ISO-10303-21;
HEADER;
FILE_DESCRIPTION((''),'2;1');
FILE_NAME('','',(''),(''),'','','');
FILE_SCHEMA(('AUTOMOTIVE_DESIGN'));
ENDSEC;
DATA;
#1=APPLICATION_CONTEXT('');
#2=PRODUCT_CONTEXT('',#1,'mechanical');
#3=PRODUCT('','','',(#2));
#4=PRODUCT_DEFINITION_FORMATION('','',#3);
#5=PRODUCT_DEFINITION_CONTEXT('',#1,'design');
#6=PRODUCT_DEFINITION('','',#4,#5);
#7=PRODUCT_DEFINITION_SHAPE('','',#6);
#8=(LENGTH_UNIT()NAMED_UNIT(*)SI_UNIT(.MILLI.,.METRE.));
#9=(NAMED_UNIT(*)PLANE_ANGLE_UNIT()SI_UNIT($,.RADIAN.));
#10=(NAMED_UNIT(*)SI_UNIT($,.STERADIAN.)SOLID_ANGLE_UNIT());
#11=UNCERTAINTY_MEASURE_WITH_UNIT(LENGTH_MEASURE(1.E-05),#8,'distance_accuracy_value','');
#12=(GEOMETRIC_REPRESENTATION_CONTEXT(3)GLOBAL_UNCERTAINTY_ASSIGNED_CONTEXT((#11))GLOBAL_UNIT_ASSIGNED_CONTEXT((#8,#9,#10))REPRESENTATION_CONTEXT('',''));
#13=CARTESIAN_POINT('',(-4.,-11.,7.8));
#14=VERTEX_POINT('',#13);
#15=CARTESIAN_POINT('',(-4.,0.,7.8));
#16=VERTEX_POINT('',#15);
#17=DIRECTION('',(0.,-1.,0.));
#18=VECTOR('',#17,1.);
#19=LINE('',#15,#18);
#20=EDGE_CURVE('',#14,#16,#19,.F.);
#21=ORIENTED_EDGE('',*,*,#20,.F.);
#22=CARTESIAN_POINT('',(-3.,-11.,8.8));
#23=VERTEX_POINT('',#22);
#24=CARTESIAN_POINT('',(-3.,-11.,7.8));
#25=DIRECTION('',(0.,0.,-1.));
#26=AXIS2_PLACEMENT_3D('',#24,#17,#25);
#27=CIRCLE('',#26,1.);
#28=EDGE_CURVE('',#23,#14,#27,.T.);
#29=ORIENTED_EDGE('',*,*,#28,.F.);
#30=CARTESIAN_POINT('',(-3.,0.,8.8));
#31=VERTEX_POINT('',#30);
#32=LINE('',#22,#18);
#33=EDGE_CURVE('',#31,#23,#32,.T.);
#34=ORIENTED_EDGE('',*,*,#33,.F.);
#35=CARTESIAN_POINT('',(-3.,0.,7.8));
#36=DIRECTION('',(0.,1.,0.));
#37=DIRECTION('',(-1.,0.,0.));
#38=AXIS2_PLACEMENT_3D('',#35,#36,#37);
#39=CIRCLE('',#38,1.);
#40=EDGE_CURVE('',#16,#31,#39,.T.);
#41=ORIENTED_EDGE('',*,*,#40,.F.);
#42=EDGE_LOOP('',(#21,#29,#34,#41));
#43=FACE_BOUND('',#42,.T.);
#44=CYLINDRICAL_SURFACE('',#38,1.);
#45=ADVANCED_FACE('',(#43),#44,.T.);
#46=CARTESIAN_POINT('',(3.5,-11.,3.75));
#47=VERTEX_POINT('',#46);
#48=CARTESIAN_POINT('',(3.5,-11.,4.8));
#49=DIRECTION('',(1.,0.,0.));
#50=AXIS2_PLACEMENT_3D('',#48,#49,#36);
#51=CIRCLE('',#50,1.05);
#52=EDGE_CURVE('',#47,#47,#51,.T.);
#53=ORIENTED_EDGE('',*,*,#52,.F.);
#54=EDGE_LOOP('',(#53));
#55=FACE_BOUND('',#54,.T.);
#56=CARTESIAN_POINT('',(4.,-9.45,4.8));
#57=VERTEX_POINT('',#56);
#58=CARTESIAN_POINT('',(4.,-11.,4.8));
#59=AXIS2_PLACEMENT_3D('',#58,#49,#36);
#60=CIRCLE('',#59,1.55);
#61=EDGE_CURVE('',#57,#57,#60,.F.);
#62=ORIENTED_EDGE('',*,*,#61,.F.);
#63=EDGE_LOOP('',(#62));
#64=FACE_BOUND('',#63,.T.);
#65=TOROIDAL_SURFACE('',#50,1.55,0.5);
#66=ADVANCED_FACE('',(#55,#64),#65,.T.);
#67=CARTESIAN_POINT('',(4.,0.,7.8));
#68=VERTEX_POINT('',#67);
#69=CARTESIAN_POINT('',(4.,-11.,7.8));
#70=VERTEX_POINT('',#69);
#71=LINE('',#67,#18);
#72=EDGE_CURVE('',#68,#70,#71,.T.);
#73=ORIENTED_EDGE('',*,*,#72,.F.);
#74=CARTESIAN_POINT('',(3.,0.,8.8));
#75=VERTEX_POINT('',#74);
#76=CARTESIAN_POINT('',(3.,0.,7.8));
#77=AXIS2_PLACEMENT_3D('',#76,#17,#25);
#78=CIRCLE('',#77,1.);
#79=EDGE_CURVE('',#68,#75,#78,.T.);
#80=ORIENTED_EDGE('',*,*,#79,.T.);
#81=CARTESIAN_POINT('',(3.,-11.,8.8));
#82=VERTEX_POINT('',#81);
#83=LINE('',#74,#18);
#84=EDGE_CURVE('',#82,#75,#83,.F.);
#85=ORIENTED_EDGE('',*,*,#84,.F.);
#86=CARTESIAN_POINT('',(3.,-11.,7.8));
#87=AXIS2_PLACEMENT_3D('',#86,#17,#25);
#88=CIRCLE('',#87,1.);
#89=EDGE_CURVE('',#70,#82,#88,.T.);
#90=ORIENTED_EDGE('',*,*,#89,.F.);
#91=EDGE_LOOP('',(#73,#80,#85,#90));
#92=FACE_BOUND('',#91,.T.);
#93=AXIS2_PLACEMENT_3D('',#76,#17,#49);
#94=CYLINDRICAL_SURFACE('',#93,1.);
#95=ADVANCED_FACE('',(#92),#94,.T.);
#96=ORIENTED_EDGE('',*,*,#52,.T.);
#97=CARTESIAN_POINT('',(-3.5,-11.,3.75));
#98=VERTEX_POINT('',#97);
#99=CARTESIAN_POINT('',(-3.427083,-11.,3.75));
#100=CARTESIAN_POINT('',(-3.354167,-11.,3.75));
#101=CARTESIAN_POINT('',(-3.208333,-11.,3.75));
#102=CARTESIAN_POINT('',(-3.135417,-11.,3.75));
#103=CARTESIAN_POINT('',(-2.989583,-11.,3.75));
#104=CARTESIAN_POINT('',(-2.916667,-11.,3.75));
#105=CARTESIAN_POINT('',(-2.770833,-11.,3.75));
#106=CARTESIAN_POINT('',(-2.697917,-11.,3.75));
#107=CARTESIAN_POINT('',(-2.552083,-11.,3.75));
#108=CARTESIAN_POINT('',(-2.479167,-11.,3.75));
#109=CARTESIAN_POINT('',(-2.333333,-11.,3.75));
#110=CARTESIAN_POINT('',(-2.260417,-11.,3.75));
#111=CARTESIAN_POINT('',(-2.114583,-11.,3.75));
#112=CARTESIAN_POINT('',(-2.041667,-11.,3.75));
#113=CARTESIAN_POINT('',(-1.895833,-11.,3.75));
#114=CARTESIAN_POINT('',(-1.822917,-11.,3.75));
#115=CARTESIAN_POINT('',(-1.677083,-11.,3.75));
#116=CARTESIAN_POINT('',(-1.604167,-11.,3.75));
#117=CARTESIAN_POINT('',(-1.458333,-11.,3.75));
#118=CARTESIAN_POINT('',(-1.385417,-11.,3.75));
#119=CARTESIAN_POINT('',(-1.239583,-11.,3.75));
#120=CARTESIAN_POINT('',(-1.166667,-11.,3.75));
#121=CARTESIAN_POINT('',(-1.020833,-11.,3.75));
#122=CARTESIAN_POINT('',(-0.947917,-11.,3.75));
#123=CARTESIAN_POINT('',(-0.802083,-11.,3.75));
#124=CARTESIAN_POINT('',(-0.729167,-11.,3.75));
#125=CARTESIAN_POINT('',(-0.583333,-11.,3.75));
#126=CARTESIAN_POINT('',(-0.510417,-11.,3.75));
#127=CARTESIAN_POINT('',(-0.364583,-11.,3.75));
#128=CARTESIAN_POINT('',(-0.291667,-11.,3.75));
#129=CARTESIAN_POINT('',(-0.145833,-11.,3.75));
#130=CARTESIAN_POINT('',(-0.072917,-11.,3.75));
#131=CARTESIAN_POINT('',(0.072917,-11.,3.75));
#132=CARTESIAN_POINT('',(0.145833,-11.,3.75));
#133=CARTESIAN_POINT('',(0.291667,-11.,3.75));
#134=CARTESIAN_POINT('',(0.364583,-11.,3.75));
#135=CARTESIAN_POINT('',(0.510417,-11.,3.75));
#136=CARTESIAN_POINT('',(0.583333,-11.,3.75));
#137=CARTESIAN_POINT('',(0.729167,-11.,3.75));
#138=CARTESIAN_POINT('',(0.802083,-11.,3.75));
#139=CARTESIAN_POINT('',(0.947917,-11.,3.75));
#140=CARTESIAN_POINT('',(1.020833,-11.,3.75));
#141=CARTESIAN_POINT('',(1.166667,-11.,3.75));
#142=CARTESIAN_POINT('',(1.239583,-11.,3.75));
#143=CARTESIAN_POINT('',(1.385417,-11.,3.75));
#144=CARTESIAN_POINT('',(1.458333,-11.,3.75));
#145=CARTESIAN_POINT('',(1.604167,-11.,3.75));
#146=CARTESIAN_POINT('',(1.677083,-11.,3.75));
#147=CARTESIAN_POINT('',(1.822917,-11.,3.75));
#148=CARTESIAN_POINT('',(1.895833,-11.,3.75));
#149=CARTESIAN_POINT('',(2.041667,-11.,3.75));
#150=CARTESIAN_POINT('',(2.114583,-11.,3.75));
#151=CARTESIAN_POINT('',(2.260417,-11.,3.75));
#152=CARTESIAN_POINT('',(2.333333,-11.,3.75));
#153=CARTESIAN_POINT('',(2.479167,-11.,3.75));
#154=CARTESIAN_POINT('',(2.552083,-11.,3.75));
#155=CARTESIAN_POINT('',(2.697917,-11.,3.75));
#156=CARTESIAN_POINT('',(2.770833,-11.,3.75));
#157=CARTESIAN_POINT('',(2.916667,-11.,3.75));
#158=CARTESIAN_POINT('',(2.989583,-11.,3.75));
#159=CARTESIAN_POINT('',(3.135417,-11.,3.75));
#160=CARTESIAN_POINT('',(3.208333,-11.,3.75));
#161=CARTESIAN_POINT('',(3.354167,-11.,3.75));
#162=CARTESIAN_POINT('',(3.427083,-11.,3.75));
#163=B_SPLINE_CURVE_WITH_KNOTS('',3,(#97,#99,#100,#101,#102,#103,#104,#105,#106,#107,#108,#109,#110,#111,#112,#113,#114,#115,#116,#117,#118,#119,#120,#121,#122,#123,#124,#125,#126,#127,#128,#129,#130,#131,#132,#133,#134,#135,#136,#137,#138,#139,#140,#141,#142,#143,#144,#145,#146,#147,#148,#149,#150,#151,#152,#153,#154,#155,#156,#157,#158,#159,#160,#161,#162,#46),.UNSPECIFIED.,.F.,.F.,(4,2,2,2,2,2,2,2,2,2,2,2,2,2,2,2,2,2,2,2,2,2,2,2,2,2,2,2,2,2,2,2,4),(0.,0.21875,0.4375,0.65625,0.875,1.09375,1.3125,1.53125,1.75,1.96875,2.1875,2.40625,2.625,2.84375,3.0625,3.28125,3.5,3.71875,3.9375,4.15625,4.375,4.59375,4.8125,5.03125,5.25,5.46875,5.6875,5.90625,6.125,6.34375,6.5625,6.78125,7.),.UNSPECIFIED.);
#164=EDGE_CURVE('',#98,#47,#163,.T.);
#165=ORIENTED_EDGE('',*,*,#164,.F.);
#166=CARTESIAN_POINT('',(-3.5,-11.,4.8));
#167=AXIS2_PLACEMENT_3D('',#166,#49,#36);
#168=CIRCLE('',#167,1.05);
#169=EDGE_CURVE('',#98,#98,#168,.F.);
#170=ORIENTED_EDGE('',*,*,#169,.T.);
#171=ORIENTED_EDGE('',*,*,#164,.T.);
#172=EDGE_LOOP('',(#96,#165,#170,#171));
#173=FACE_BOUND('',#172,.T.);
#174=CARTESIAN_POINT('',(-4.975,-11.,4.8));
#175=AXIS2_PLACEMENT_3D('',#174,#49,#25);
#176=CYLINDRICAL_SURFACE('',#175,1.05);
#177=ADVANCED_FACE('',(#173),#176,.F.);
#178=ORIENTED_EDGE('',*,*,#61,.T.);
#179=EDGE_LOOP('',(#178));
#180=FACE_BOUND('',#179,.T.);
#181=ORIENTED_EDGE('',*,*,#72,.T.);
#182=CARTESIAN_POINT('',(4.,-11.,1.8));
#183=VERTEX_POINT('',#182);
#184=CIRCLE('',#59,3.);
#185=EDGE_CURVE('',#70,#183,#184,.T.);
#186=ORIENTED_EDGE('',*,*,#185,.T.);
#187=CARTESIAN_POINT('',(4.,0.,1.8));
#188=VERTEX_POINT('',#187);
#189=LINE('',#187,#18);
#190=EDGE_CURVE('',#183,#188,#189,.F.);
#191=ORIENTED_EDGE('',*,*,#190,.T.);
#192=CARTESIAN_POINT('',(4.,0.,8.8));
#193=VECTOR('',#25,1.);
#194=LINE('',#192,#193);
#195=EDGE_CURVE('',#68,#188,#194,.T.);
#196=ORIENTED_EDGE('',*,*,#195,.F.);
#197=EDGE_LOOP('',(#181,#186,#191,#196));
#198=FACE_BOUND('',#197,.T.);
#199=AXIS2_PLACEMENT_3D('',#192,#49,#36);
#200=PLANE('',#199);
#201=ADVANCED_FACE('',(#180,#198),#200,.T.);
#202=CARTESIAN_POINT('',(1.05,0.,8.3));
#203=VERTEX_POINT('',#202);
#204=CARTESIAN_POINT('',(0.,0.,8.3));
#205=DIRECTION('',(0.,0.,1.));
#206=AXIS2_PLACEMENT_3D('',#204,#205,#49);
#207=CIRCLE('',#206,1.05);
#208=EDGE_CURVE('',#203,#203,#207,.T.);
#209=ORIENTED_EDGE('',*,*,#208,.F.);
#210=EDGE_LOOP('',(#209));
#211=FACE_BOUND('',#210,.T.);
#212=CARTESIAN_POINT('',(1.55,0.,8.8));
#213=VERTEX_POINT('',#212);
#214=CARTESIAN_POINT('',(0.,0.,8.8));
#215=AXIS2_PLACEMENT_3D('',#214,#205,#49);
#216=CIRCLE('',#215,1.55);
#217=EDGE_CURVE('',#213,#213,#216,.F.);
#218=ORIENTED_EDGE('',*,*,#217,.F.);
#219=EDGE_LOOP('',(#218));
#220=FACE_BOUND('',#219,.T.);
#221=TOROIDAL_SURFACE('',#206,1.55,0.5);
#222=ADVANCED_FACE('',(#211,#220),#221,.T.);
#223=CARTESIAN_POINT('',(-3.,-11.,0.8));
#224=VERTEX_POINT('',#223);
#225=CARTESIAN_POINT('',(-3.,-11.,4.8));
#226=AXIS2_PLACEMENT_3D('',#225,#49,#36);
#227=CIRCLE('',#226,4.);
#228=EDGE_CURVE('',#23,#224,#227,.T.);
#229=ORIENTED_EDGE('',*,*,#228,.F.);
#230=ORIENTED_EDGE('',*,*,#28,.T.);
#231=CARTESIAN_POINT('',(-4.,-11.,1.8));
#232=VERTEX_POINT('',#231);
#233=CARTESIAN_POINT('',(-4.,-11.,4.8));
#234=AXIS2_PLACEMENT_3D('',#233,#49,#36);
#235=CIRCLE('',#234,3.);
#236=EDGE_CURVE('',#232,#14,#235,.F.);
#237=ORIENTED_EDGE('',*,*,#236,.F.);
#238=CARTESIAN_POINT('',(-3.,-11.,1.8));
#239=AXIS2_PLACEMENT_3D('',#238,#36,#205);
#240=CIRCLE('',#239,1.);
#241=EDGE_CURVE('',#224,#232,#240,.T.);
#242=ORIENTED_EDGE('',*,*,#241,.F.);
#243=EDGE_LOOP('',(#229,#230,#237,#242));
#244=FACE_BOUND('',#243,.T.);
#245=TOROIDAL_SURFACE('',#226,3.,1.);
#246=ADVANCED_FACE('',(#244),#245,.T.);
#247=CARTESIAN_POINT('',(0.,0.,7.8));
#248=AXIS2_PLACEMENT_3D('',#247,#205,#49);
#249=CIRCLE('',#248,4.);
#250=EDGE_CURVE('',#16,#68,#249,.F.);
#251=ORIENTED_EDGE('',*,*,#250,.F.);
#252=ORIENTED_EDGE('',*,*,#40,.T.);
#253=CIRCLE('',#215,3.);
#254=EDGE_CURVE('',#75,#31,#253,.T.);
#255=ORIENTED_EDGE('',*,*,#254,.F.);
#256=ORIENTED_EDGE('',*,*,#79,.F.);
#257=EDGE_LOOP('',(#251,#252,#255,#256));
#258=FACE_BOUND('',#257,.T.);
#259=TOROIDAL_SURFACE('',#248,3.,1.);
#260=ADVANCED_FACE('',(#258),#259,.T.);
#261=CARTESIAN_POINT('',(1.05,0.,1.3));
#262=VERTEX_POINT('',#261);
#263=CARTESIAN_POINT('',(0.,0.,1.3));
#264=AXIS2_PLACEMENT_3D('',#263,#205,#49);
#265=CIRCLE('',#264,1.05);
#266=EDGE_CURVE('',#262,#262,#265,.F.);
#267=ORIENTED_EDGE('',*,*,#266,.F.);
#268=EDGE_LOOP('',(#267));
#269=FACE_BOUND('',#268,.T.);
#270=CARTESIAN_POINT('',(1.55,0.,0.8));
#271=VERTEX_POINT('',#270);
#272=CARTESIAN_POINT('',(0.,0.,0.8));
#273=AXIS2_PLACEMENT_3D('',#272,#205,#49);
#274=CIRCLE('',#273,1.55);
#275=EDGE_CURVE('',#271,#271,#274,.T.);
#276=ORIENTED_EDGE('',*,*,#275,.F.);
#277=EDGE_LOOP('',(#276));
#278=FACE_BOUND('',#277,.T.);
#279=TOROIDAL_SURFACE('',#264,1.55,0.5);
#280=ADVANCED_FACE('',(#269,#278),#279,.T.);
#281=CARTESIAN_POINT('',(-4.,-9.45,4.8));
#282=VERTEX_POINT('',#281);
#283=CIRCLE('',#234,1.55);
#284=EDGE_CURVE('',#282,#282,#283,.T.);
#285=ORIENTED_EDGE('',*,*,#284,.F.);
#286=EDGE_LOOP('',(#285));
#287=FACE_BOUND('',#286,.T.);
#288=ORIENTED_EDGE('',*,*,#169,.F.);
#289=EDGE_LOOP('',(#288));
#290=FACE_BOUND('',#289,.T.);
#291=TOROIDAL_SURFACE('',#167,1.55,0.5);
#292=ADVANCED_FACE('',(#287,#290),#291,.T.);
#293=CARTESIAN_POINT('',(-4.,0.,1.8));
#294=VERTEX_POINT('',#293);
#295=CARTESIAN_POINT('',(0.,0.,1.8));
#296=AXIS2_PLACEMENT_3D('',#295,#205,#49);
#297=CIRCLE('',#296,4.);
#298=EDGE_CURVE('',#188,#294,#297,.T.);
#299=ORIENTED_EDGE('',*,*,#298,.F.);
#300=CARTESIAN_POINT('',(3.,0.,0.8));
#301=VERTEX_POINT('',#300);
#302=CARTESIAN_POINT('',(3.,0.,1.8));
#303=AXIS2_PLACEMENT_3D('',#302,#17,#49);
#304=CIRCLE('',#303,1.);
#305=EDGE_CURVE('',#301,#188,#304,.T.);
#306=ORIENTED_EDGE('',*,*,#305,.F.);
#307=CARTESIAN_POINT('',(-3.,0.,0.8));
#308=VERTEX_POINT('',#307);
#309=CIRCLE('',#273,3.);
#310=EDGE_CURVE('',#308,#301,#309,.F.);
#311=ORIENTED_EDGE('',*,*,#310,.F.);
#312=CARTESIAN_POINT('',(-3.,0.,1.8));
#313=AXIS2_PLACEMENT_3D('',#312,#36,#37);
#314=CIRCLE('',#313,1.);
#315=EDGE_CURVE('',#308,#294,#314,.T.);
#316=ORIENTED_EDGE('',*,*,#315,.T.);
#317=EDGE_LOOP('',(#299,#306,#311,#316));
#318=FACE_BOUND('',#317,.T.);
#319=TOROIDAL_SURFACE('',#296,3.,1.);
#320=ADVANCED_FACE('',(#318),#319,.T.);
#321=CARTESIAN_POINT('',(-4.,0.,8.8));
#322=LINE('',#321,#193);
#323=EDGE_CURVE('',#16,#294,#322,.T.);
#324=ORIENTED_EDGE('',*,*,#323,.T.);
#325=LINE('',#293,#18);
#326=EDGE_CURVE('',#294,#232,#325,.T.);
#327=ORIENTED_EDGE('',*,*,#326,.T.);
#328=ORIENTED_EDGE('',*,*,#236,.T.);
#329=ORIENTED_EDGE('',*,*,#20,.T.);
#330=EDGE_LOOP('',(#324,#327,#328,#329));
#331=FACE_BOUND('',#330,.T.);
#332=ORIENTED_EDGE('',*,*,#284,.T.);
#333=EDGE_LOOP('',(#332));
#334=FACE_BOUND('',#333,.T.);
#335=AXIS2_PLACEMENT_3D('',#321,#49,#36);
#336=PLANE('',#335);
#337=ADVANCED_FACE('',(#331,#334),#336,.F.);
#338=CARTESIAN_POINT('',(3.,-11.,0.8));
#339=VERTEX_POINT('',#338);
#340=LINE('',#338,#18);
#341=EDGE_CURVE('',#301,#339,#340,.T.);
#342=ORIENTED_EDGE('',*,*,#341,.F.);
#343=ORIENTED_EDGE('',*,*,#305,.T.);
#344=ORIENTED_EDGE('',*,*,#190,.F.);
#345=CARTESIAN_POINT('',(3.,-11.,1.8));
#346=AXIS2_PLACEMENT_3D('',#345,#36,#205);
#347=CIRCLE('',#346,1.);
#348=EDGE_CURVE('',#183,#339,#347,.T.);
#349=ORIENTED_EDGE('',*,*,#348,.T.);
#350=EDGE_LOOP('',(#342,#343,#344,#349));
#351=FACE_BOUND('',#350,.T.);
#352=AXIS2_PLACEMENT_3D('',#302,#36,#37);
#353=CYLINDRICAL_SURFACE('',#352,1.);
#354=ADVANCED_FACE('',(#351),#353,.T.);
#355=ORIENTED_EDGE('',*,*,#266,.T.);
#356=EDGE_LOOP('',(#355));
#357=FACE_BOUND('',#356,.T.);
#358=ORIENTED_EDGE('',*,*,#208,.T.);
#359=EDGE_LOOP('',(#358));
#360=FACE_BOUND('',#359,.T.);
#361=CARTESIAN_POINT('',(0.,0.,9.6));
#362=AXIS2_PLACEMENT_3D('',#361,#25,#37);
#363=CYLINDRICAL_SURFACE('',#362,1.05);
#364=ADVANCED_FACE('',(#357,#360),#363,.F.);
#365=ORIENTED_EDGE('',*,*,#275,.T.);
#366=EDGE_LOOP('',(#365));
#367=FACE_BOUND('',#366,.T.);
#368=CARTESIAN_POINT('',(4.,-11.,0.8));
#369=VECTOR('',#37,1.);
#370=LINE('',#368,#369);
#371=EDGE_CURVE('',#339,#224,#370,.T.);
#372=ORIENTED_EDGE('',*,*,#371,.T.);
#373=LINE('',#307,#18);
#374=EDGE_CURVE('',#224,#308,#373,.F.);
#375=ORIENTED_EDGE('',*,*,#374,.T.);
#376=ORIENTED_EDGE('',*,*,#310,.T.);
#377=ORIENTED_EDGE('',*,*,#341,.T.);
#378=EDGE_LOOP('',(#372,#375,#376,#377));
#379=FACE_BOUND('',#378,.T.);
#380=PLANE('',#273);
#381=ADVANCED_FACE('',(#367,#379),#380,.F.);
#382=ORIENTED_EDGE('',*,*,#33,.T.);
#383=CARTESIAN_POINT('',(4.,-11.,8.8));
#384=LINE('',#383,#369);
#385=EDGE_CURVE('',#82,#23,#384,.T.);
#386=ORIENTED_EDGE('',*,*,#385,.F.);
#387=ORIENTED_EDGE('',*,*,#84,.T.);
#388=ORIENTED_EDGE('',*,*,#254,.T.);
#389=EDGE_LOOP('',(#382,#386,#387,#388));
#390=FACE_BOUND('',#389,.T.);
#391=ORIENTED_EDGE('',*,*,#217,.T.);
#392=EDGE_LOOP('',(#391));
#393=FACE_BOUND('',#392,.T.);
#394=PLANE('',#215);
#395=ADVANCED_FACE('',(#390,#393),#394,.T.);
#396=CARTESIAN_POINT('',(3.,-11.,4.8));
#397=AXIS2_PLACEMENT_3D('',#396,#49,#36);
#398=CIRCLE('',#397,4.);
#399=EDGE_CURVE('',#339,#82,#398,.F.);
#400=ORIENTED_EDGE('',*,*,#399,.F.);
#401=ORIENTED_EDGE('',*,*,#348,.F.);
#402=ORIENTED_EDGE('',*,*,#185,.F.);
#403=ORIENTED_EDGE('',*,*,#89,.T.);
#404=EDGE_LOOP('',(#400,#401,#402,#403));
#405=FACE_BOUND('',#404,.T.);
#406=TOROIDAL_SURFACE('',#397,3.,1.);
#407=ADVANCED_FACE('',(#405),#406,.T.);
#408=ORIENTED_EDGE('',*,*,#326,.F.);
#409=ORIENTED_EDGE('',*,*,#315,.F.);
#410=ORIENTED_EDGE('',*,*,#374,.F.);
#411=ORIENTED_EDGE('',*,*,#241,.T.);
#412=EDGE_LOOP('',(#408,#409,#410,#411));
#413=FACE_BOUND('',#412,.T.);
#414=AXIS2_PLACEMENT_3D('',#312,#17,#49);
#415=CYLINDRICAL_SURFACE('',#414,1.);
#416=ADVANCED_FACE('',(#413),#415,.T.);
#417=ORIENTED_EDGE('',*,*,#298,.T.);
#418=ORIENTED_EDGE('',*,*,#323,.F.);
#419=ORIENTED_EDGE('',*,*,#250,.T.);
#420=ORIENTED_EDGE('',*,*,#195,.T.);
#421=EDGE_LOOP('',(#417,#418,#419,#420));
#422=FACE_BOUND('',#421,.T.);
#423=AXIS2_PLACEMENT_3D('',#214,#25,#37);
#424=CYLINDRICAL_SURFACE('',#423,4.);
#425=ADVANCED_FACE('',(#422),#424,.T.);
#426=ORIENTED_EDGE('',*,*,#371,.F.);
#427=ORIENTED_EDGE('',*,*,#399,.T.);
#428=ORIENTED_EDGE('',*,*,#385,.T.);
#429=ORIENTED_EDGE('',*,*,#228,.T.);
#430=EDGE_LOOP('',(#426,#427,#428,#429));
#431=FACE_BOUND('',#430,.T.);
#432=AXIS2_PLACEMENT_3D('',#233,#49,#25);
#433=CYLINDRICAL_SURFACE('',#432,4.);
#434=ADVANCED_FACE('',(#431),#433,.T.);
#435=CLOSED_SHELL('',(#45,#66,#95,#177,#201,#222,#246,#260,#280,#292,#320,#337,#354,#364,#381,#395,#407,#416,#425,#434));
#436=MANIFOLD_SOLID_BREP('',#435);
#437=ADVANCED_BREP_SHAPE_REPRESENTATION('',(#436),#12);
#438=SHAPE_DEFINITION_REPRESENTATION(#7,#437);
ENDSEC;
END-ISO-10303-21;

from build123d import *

# Parameters (mm, degrees)
BOSS_EXTRUDE1_START = 0.8
SKETCH2_R           = 4
BOSS_EXTRUDE1_DEPTH = 8
SKETCH10_W          = 8
SKETCH10_H          = 11
BOSS_EXTRUDE2_DEPTH = 8
BOSS_EXTRUDE3_START = 4
SKETCH8_R           = 4
BOSS_EXTRUDE3_DEPTH = 8
SKETCH1_R           = 1.05
CUT_EXTRUDE2_DEPTH  = 9.6
CUT_EXTRUDE3_START  = 4.975
SKETCH9_R           = 1.05
CUT_EXTRUDE3_DEPTH  = 9.95
FILLET1_R           = 1
FILLET2_R           = 0.5


with BuildPart() as part:
    # Sketch2 → Boss-Extrude1 (new body)
    with BuildSketch(Plane.XY.offset(BOSS_EXTRUDE1_START)):
        Circle(SKETCH2_R)
    extrude(amount=BOSS_EXTRUDE1_DEPTH)

    # Sketch10 → Boss-Extrude2 (add)
    with BuildSketch(Plane(origin=(0, 0, 0.8), x_dir=(-1, 0, 0), z_dir=(0, 0, -1))):
        with Locations((0, -5.5)):
            Rectangle(SKETCH10_W, SKETCH10_H)
    extrude(amount=-BOSS_EXTRUDE2_DEPTH)

    # Sketch8 → Boss-Extrude3 (add)
    with BuildSketch(Plane(origin=(0, 0, 0), x_dir=(0, 0, -1), z_dir=(1, 0, 0)).offset(BOSS_EXTRUDE3_START)):
        with Locations((-4.8, -11)):
            Circle(SKETCH8_R)
    extrude(amount=-BOSS_EXTRUDE3_DEPTH)

    # Sketch1 → Cut-Extrude2 (cut)
    with BuildSketch(Plane.XY):
        Circle(SKETCH1_R)
    extrude(amount=CUT_EXTRUDE2_DEPTH, mode=Mode.SUBTRACT)

    # Sketch9 → Cut-Extrude3 (cut)
    with BuildSketch(Plane(origin=(0, 0, 0), x_dir=(0, 0, -1), z_dir=(1, 0, 0)).offset(CUT_EXTRUDE3_START)):
        with Locations((-4.8, -11)):
            Circle(SKETCH9_R)
    extrude(amount=-CUT_EXTRUDE3_DEPTH, mode=Mode.SUBTRACT)

    # Fillet1
    fillet1_edges = [part.edges().sort_by_distance(p)[0] for p in [
        (-4, -5.5, 8.8),
        (4, -5.5, 0.8),
        (0, 4, 0.8),
        (-4, -15, 4.8),
        (4, -15, 4.8),
        (0, 4, 8.8),
        (-4, -5.5, 0.8),
        (4, -5.5, 8.8),
    ]]
    fillet(fillet1_edges, radius=FILLET1_R)

    # Fillet2
    fillet2_edges = [part.edges().sort_by_distance(p)[0] for p in [
        (-1.05, 0, 8.8),
        (-1.05, 0, 0.8),
        (-4, -11, 5.85),
        (4, -11, 5.85),
    ]]
    fillet(fillet2_edges, radius=FILLET2_R)


solid = part.part
